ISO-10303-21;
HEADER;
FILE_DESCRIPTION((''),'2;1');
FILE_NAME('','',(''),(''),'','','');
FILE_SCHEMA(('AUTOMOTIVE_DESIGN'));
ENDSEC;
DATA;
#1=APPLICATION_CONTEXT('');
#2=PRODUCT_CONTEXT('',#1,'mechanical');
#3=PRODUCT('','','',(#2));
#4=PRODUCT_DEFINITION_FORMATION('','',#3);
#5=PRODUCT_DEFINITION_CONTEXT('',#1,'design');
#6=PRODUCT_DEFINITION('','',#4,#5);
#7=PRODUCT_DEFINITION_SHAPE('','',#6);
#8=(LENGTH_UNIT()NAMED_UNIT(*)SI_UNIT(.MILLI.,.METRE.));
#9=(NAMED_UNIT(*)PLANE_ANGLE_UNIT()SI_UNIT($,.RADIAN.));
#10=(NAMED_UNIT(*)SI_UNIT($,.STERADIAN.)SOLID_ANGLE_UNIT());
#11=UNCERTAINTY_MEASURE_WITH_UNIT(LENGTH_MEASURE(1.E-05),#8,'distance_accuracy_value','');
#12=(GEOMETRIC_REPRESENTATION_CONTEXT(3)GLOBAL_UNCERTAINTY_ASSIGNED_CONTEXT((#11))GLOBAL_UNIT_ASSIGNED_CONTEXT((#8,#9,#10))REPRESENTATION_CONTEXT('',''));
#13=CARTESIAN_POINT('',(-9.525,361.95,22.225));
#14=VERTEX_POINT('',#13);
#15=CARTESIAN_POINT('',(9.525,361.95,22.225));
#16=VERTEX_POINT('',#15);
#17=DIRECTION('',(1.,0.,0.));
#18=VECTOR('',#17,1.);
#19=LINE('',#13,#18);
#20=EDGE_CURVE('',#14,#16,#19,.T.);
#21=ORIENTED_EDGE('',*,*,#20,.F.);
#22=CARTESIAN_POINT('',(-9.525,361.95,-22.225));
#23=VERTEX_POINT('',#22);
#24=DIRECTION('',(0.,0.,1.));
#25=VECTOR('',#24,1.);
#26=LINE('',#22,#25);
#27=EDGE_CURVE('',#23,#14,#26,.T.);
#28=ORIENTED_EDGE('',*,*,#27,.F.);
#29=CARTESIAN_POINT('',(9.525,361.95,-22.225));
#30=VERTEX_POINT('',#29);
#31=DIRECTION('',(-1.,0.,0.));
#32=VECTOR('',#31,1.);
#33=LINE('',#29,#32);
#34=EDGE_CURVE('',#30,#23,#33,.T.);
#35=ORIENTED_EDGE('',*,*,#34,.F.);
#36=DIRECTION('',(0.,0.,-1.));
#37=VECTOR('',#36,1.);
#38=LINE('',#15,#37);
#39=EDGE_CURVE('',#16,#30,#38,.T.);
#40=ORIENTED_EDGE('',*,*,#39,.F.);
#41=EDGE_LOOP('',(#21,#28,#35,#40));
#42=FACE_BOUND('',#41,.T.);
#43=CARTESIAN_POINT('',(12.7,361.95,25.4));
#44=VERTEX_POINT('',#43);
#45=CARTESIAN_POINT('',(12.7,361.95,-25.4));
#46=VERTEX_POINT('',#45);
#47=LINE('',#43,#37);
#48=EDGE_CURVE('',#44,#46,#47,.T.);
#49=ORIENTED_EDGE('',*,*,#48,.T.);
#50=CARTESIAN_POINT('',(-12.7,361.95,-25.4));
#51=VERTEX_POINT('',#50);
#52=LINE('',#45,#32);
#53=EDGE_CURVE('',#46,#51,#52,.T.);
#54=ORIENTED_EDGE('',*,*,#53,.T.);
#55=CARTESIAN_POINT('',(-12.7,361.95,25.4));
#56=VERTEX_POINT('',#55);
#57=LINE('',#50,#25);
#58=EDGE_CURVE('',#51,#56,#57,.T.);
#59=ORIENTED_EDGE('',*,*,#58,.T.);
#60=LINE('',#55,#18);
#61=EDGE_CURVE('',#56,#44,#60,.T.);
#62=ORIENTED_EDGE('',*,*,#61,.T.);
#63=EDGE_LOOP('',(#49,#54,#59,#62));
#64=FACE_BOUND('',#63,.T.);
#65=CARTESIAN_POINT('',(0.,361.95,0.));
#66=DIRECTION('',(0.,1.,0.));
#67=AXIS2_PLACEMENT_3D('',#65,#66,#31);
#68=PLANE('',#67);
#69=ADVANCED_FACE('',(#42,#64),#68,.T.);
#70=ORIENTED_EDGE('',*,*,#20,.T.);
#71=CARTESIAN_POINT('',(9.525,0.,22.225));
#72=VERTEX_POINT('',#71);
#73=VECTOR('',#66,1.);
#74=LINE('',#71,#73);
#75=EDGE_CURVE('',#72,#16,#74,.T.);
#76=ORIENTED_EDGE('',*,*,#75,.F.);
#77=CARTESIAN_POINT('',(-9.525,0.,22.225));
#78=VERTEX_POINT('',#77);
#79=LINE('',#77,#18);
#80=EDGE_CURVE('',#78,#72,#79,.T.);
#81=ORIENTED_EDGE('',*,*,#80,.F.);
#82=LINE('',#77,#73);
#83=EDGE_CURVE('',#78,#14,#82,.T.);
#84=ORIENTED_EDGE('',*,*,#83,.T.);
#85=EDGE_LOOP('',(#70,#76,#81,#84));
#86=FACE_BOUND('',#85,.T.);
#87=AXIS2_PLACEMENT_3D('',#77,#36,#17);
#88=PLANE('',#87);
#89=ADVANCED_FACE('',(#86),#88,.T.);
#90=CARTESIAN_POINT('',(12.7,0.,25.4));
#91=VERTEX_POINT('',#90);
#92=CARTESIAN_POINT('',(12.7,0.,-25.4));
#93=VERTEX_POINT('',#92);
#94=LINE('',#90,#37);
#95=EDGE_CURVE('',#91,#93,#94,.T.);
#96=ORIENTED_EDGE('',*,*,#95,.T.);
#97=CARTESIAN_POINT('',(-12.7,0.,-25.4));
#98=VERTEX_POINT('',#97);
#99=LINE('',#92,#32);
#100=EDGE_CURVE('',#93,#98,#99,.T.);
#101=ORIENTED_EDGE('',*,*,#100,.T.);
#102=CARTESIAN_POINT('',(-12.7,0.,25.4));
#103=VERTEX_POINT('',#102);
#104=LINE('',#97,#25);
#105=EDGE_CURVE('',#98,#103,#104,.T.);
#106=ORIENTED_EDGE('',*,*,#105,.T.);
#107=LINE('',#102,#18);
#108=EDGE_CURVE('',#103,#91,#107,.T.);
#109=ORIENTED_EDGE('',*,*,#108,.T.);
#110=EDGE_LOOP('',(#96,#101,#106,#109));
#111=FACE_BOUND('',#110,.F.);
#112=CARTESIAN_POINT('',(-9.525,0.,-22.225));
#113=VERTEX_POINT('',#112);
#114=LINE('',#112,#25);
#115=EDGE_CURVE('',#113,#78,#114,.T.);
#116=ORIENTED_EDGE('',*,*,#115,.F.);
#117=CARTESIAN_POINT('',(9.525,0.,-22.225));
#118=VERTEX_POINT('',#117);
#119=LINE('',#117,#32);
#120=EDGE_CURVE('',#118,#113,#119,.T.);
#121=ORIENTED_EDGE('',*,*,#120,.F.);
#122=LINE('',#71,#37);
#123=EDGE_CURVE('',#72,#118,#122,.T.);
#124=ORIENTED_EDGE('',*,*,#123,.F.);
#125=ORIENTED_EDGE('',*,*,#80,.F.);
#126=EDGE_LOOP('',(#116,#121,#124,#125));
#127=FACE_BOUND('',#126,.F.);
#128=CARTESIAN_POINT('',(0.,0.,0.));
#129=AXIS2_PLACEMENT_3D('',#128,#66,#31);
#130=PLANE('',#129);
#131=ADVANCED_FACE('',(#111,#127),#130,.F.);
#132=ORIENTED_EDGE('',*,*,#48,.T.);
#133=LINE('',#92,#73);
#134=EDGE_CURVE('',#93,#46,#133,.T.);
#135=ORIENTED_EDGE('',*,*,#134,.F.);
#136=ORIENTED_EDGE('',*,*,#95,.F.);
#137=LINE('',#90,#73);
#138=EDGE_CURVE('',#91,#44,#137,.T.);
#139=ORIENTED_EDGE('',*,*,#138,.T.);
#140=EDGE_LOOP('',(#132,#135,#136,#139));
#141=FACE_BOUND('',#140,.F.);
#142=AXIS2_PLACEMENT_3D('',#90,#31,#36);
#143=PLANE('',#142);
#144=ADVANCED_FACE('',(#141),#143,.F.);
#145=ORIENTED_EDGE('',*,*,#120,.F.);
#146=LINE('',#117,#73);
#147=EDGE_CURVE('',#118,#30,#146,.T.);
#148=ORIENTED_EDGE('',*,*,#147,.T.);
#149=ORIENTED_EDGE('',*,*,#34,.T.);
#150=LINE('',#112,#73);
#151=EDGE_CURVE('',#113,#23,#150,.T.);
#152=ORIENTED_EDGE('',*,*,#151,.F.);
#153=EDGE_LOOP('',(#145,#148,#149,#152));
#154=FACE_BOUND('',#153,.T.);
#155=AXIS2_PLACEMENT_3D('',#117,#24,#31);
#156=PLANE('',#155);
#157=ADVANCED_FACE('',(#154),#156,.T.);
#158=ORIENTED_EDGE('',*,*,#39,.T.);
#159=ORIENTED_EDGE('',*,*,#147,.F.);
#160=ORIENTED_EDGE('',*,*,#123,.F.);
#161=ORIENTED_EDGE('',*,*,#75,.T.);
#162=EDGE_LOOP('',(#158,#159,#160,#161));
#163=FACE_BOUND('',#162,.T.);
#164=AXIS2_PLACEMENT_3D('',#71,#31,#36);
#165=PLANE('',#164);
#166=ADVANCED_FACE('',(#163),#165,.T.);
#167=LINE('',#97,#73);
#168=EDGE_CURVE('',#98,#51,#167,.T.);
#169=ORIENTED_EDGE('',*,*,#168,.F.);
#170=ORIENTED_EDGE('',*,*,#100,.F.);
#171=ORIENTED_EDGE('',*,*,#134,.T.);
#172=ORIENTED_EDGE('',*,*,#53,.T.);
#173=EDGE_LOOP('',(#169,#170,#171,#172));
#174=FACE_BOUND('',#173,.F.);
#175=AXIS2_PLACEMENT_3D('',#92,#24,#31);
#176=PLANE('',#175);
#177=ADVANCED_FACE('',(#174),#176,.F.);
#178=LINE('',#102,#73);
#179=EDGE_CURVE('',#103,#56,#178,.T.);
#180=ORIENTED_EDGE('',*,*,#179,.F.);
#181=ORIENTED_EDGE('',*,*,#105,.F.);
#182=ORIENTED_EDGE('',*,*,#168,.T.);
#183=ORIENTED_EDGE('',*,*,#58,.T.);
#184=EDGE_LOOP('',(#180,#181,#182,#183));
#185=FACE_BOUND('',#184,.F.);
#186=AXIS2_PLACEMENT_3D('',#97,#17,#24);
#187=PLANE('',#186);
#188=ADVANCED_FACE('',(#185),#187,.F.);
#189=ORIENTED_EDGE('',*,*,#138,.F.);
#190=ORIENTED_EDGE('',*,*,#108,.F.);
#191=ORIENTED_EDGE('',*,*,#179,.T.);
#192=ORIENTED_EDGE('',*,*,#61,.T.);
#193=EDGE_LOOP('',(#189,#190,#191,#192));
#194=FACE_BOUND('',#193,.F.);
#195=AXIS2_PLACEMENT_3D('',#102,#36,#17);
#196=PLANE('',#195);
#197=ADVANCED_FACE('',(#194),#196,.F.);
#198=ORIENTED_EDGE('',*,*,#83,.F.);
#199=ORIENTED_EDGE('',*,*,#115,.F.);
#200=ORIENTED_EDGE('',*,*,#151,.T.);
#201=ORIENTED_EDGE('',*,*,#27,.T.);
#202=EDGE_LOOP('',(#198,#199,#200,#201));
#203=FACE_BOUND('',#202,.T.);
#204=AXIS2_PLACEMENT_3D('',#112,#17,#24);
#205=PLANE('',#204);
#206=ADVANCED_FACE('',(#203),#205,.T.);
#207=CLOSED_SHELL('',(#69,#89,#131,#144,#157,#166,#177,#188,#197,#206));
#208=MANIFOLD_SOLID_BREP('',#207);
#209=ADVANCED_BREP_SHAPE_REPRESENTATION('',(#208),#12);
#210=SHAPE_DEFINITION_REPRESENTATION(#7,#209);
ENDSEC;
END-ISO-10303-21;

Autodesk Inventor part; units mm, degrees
ref_plane "YZ Plane" through (0, 0, 0) normal (1, 0, 0) x (0, 1, 0)
ref_plane "XZ Plane" through (0, 0, 0) normal (0, 1, 0) x (-1, 0, 0)
ref_plane "XY Plane" through (0, 0, 0) normal (0, 0, 1) x (1, 0, 0)
sketch "Sketch1" plane through (0, 0, 0) normal (0, 1, 0) x (-1, 0, 0)
  line L0 (12.7, 25.4) -> (-12.7, 25.4)
  line L1 (-12.7, 25.4) -> (-12.7, -25.4)
  line L2 (-12.7, -25.4) -> (12.7, -25.4)
  line L3 (12.7, -25.4) -> (12.7, 25.4)
  line L4 (12.7, 25.4) -> (-12.7, -25.4) construction
  line L5 (-12.7, 25.4) -> (12.7, -25.4) construction
  line L6 (9.525, 22.225) -> (-9.525, 22.225)
  line L7 (-9.525, 22.225) -> (-9.525, -22.225)
  line L8 (-9.525, -22.225) -> (9.525, -22.225)
  line L9 (9.525, -22.225) -> (9.525, 22.225)
  line L10 (9.525, 22.225) -> (-9.525, -22.225) construction
  line L11 (-9.525, 22.225) -> (9.525, -22.225) construction
  point P0 (0, 0)
  dimension "d0" = 25.4
  dimension "d1" = 3.175
  dimension "d4" = 50.8
  dimension "d5" = 19.05
extrude "Extrusion1" add sketch "Sketch1" along normal blind 361.95
properties part number "1x2x14_25-rectangular"
